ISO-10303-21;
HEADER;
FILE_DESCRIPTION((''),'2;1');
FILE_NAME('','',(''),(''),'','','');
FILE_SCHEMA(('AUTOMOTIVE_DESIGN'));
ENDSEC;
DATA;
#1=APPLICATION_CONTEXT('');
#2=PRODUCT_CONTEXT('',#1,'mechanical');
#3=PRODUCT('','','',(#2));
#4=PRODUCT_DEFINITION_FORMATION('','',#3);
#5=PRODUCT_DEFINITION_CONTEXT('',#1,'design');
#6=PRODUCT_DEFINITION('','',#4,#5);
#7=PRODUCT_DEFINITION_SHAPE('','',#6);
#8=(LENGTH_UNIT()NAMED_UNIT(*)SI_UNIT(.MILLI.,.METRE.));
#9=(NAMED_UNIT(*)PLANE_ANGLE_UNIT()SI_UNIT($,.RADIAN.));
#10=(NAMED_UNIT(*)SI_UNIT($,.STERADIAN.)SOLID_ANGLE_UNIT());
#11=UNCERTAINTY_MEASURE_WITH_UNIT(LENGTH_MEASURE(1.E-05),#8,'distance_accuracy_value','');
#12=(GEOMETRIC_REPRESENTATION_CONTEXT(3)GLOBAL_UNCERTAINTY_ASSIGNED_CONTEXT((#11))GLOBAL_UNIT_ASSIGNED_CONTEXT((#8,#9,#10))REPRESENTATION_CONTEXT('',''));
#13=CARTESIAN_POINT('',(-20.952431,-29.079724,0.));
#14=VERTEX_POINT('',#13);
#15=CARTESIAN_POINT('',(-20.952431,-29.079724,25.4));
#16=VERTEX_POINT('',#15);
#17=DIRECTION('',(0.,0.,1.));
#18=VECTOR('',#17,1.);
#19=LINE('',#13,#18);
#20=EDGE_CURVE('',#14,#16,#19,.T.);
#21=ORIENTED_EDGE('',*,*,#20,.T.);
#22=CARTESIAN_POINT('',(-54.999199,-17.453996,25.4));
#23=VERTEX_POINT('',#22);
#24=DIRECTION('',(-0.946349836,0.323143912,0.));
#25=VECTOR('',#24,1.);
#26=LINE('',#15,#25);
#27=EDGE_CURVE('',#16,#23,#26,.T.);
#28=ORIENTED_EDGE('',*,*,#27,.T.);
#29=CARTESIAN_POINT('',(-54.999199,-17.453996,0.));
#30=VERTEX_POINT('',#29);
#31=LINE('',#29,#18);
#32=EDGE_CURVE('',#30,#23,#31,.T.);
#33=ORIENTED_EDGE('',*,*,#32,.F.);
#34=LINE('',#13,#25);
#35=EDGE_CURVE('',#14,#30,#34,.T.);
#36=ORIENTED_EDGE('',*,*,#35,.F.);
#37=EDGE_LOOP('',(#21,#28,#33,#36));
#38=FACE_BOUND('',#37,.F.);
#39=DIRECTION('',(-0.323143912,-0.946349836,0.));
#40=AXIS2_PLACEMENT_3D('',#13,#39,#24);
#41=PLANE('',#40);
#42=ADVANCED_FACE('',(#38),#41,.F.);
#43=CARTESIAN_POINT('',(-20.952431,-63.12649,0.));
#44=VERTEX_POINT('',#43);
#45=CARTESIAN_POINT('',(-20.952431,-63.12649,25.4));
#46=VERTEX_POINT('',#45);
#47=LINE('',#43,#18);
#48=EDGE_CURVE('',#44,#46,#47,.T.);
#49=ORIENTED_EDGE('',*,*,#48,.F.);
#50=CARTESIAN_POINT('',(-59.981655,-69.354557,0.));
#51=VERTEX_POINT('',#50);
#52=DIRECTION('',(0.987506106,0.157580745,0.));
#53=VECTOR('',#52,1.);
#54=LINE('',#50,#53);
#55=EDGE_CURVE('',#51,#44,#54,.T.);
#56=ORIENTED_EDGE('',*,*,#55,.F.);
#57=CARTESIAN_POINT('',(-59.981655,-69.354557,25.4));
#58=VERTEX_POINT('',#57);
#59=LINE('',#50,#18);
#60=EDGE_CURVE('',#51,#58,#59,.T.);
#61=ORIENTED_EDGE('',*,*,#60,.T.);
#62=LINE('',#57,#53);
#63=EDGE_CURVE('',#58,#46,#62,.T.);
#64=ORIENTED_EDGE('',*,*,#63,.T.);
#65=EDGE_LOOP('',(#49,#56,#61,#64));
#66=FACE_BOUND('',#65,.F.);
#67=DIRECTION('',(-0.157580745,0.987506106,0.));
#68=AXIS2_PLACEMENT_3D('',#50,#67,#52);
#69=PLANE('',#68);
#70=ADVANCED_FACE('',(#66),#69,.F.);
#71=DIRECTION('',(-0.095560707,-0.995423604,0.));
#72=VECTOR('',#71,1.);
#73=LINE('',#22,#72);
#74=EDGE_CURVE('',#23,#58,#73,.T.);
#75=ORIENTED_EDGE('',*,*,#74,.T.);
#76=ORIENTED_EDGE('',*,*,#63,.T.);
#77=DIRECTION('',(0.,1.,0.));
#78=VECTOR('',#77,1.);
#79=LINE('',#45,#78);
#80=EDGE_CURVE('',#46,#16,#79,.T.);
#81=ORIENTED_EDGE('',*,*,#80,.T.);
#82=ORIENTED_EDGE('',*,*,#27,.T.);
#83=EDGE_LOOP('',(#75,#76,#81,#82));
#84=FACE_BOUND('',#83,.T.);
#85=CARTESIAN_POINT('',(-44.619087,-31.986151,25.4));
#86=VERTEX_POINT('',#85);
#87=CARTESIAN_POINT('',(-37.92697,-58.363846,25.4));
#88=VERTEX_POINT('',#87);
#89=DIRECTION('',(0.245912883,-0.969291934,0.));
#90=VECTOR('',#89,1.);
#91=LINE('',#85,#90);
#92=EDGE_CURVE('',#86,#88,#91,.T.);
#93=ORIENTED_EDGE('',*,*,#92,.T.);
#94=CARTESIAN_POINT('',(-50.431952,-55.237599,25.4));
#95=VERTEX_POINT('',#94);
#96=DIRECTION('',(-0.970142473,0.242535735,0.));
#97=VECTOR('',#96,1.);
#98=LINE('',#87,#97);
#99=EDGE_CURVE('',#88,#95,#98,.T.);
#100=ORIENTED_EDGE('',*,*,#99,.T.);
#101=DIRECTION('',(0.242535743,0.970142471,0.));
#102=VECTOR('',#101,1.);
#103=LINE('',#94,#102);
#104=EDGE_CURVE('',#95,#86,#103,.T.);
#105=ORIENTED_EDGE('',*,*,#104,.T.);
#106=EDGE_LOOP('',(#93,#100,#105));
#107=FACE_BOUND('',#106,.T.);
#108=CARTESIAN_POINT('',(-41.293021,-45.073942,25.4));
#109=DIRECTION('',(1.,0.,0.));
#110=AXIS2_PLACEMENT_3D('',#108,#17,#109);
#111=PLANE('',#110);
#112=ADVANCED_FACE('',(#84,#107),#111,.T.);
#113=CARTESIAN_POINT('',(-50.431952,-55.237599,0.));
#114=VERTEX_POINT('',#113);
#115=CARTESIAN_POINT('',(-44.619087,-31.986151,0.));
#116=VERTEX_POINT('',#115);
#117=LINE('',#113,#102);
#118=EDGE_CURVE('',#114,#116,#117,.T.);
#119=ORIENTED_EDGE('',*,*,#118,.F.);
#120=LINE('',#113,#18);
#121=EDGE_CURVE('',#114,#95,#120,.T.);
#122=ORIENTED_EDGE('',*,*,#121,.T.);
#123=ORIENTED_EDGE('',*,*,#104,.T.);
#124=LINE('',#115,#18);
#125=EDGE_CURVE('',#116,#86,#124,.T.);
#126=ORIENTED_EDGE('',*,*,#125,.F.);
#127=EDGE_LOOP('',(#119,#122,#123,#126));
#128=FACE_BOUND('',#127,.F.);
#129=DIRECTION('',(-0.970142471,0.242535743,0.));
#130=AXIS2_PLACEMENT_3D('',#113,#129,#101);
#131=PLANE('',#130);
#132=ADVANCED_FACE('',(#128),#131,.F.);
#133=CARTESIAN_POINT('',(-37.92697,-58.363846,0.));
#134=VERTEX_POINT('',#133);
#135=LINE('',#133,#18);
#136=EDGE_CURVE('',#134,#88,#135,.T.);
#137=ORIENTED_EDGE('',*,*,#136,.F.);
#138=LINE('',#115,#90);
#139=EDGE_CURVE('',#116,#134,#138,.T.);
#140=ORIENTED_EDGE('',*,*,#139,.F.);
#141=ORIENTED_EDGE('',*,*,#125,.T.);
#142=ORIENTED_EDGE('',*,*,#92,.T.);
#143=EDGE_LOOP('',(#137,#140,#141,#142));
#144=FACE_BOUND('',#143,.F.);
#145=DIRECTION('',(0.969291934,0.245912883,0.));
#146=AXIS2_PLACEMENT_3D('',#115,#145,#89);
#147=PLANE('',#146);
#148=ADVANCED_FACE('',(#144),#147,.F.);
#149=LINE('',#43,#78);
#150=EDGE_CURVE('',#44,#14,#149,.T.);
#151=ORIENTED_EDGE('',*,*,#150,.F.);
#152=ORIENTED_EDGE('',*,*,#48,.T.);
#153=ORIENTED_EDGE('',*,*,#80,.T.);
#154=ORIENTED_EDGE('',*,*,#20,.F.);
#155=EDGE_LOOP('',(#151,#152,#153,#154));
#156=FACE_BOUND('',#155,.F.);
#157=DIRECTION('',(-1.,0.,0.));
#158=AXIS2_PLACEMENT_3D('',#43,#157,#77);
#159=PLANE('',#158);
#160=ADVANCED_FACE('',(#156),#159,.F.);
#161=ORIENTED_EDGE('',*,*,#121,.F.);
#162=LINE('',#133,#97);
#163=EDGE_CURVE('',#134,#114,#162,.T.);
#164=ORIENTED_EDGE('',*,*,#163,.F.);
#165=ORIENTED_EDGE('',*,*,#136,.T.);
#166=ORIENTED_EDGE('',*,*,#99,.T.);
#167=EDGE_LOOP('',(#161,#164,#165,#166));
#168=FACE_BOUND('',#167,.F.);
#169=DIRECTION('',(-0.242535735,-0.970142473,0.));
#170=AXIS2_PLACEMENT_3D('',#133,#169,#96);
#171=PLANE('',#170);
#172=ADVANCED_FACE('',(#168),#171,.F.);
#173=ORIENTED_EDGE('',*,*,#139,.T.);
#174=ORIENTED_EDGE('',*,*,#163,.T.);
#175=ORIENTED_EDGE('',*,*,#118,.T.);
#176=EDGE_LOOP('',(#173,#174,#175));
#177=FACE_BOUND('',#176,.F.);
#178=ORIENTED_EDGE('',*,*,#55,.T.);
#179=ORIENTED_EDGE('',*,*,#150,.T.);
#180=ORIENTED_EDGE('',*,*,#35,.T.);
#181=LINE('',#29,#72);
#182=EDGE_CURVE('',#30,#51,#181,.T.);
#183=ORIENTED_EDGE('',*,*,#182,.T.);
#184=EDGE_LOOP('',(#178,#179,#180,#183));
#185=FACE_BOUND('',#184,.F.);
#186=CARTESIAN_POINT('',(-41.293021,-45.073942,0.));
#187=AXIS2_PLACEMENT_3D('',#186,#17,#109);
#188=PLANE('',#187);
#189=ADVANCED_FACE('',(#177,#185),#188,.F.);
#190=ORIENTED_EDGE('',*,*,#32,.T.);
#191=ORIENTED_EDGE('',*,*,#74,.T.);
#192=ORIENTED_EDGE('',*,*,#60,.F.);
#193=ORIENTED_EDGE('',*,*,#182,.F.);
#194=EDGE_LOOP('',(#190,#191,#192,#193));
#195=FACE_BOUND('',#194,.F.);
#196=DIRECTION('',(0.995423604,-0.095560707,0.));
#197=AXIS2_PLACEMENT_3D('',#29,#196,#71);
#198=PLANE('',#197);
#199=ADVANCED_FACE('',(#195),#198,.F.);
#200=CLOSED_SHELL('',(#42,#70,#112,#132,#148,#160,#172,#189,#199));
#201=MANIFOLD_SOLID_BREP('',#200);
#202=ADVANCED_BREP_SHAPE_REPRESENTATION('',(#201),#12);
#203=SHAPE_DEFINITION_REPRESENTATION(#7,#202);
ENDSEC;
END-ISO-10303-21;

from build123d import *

# Parameters (mm, degrees)
F1_DEPTH = 25.4


with BuildPart() as f1:
    # F0 (on Top) → F1 (new body)
    with BuildSketch(Plane.XY):
        Polygon((-20.952431, -29.079724), (-54.999199, -17.453996), (-59.981655, -69.354557), (-20.952431, -63.12649), align=None)
        Polygon((-50.431952, -55.237599), (-44.619087, -31.986151), (-37.92697, -58.363846), align=None, mode=Mode.SUBTRACT)
    extrude(amount=F1_DEPTH)


solid = f1.part
